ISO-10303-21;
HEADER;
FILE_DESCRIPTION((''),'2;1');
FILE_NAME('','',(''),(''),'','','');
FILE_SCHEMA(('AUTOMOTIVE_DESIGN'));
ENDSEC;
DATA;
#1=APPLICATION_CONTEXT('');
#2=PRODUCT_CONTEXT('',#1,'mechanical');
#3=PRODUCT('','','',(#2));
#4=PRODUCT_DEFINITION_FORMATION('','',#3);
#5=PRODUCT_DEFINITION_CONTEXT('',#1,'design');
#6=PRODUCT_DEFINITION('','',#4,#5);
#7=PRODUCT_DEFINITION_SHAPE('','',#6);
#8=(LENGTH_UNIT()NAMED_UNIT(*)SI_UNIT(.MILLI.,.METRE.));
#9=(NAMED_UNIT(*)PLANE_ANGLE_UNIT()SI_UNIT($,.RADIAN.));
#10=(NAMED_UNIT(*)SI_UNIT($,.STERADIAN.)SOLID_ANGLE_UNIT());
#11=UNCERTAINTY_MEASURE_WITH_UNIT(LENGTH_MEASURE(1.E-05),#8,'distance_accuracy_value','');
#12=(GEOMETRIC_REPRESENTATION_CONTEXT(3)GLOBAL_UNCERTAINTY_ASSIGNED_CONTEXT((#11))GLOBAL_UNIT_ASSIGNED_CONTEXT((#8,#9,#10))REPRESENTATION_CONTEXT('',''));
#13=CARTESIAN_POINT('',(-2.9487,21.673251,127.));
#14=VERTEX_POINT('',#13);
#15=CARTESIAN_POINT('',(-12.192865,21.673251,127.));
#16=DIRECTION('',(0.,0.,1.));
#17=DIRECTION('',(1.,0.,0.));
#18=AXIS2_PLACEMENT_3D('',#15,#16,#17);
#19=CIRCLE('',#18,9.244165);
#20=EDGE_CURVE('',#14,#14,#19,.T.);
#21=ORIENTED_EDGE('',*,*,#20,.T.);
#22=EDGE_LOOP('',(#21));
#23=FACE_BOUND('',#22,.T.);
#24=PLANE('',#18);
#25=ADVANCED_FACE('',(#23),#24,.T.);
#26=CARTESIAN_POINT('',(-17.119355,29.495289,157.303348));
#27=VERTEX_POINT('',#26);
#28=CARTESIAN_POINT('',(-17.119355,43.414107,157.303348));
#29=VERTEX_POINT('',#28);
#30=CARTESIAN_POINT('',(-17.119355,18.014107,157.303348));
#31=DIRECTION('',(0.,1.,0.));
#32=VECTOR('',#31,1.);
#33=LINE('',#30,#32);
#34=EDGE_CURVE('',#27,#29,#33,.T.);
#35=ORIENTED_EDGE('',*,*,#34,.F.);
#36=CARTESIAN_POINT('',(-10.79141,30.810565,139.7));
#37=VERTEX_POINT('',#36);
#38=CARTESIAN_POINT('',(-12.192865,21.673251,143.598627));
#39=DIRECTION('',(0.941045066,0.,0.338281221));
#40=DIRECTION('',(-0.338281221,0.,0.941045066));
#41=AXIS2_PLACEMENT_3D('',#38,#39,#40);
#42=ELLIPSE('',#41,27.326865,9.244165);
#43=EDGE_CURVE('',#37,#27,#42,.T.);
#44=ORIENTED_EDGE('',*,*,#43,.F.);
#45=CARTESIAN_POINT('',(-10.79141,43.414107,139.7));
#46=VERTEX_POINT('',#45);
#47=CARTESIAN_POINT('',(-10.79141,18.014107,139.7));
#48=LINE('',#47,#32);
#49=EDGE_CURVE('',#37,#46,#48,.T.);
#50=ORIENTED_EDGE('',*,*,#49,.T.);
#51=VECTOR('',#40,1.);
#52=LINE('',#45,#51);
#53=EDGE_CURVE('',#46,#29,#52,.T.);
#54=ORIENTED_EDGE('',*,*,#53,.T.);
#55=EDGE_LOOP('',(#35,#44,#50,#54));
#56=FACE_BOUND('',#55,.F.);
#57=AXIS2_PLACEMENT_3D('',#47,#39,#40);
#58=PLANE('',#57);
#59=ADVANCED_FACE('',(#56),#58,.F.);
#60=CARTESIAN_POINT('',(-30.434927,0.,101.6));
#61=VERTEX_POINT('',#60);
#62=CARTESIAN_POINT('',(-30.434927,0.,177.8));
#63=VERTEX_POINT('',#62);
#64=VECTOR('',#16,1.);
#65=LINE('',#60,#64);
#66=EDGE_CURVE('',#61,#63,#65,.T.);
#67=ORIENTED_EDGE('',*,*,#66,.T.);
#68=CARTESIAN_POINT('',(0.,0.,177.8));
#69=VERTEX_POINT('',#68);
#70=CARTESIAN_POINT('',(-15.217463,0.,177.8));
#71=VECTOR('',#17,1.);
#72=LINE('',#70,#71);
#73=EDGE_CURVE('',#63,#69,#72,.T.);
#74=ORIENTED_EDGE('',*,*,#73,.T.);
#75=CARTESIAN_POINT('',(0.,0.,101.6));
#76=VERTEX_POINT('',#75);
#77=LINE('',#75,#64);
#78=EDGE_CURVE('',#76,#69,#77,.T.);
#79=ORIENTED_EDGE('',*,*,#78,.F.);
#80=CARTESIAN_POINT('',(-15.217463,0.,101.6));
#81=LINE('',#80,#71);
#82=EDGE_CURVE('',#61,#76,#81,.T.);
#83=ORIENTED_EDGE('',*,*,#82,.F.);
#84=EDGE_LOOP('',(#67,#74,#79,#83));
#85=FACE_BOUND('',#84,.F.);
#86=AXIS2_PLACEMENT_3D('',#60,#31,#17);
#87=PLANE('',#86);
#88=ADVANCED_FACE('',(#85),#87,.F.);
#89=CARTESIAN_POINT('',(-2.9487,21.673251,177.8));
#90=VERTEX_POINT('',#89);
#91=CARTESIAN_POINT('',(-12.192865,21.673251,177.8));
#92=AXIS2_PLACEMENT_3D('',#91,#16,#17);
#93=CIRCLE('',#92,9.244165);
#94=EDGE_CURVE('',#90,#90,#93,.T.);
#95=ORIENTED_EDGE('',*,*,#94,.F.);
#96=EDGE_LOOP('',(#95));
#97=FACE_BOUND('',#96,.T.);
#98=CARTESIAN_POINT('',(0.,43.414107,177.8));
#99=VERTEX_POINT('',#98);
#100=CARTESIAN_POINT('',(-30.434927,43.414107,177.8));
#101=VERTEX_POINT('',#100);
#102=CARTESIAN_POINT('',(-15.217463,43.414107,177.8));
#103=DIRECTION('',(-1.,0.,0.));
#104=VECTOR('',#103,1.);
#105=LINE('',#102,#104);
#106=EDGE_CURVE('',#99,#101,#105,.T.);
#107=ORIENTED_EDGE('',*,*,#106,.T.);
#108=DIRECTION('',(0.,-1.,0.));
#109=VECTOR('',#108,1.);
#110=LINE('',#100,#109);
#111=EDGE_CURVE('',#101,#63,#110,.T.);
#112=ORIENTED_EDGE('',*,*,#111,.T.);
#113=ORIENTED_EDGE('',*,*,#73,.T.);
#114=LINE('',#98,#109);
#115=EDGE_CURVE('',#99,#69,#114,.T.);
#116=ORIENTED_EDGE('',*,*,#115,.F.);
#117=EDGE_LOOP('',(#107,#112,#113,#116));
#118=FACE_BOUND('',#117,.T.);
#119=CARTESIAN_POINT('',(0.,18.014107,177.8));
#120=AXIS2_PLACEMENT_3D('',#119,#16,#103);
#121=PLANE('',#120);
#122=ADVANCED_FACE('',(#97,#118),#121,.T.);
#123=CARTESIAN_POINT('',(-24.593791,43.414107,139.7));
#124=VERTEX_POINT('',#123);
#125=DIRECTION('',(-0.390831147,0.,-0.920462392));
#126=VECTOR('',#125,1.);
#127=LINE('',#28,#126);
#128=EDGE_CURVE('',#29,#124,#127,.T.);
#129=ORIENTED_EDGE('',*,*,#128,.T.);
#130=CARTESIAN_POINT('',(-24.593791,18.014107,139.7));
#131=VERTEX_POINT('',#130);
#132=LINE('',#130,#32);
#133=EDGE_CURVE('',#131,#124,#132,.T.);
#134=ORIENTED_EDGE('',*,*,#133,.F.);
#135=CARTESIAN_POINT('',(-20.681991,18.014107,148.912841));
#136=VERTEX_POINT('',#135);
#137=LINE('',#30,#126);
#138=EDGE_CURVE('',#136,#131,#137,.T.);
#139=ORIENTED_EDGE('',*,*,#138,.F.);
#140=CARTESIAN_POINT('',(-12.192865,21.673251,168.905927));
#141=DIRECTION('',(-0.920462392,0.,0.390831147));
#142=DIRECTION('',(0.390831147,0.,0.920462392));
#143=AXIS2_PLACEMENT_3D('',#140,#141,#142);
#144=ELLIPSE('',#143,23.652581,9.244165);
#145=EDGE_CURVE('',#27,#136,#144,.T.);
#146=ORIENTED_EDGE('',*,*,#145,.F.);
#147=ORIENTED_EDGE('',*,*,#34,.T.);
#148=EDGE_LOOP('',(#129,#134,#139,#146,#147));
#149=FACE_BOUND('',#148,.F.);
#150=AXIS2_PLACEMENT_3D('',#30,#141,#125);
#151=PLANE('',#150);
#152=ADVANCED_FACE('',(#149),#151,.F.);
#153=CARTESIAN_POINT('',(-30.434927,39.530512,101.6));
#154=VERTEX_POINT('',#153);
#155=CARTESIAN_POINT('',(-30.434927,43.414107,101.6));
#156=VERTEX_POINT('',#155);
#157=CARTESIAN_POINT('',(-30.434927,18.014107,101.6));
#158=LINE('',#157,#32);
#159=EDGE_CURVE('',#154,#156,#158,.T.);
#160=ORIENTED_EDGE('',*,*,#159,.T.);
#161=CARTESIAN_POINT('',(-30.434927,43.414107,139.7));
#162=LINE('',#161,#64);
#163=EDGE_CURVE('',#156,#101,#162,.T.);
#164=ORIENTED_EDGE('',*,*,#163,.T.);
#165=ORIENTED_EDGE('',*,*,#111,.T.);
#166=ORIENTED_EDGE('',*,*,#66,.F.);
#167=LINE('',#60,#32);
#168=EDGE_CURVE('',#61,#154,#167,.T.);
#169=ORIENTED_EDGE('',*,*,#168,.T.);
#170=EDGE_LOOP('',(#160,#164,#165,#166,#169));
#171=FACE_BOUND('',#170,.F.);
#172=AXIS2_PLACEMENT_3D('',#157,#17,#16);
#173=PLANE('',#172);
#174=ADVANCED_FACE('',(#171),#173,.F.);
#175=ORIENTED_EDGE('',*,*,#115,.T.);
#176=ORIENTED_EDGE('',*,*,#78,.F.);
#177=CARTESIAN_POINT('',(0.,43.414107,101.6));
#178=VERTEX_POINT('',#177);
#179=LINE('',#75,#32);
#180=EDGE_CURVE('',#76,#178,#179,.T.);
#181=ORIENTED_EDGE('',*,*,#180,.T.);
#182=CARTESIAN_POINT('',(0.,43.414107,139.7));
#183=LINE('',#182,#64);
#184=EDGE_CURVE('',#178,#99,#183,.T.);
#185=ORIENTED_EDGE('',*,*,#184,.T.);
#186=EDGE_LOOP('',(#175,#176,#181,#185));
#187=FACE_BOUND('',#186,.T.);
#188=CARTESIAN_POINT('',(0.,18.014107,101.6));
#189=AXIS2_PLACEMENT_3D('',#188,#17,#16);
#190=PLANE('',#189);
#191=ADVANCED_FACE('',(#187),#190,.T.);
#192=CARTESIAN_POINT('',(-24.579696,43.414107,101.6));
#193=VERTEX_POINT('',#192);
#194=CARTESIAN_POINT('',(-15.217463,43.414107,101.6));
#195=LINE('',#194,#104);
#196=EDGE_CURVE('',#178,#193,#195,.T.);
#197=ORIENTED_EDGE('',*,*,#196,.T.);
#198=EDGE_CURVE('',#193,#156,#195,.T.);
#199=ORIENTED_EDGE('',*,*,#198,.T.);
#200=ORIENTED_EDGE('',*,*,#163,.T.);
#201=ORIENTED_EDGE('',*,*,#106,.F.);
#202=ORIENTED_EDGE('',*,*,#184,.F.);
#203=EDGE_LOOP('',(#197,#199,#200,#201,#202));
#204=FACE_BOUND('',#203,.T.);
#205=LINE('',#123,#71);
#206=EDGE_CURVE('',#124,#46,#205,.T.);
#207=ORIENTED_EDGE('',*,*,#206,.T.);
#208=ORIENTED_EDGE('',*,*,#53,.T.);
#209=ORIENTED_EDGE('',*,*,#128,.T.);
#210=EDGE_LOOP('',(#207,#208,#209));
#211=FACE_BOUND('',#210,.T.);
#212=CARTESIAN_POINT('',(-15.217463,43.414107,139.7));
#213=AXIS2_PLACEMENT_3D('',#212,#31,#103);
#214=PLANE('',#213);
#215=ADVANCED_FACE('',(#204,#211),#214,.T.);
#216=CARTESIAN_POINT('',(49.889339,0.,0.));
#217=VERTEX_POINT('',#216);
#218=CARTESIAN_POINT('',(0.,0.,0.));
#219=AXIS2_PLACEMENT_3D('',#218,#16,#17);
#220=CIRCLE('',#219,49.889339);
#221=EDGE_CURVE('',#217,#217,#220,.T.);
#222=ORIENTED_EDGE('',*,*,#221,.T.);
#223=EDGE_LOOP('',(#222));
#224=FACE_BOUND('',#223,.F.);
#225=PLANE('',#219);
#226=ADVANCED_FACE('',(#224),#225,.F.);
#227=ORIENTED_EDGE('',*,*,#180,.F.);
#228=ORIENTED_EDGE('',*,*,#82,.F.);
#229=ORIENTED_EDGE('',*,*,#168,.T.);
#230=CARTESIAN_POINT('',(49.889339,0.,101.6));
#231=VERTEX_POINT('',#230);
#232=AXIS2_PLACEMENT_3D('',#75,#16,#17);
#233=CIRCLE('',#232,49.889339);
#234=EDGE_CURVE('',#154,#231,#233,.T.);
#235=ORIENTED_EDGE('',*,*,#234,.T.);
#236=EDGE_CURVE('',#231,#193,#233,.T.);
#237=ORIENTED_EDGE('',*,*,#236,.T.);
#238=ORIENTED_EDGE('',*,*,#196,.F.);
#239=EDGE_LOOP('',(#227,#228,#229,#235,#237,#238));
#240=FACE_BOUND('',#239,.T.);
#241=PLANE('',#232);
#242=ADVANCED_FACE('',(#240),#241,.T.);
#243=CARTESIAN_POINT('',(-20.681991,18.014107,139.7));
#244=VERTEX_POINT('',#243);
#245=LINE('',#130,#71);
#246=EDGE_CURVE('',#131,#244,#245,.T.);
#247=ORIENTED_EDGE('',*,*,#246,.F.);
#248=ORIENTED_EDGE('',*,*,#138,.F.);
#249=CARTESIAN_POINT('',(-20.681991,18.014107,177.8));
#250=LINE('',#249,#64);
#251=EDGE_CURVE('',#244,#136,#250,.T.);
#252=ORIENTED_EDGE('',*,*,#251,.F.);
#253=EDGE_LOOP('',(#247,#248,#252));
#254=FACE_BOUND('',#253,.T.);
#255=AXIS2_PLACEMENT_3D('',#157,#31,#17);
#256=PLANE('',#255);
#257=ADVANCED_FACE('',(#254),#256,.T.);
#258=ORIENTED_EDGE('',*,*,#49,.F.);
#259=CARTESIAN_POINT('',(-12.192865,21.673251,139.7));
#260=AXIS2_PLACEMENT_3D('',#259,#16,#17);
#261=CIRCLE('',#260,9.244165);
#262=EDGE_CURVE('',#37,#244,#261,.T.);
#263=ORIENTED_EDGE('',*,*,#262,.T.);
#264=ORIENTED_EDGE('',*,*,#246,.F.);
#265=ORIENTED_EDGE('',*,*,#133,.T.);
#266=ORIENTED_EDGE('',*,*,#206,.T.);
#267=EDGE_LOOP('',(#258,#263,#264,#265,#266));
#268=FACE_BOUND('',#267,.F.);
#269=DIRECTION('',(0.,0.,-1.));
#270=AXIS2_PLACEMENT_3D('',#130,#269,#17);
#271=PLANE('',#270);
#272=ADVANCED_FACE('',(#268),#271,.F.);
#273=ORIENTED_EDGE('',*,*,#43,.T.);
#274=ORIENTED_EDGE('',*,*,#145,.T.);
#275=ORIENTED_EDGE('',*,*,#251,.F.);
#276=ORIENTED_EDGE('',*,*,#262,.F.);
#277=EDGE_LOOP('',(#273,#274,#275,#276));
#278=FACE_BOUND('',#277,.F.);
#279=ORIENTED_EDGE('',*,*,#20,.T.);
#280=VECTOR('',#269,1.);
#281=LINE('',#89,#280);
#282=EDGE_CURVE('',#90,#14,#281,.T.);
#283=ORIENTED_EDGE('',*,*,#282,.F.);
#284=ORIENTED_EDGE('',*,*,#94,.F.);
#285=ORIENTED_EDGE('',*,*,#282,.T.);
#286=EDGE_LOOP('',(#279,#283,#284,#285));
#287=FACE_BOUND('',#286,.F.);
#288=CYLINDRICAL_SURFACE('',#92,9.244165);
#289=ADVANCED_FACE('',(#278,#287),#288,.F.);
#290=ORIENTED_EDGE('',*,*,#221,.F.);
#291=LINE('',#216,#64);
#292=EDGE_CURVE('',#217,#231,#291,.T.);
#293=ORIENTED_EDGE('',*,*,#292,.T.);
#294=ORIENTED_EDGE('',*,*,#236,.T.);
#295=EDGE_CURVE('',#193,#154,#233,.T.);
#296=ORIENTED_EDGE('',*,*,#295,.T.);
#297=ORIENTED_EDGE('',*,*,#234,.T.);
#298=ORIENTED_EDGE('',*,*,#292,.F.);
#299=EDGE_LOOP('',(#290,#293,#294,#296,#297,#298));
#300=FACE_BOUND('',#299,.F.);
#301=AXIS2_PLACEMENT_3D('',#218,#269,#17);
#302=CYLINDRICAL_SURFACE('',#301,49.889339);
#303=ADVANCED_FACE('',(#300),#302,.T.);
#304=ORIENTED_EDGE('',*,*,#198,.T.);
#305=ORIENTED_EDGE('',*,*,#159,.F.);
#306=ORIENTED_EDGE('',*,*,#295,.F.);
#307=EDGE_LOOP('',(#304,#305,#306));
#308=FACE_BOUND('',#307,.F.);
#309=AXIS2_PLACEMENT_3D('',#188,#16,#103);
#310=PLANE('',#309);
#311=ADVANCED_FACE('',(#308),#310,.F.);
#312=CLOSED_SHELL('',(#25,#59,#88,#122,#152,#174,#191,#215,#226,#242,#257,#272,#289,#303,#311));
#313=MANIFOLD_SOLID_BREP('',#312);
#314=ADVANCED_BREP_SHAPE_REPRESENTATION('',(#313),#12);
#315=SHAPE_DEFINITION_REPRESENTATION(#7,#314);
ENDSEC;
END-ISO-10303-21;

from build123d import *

# Parameters (mm, degrees)
F0_R     = 49.8893389147
F1_DEPTH = 101.6
F2_W     = 30.4349269718
F2_H     = 18.0141068995
F3_DEPTH = 76.2
F4_W     = 30.4349269718
F4_H     = 76.2
F5_DEPTH = 25.4
F6_R     = 9.2441651786
F7_DEPTH = 50.8


with BuildPart() as f1:
    # F0 (on Top) → F1 (new body)
    with BuildSketch(Plane.XY):
        Circle(F0_R)
    extrude(amount=F1_DEPTH)

    # F2 (on face) → F3 (join)
    with BuildSketch(Plane.XY.offset(101.6)):
        with Locations((-15.2174634859, 9.0070534497)):
            Rectangle(F2_W, F2_H)
    extrude(amount=F3_DEPTH)

    # F4 (on face) → F5 (join)
    with BuildSketch(Plane(origin=(0, 18.0141068995, 0), x_dir=(-1, 0, 0), z_dir=(0, 1, 0))):
        with Locations((15.2174634859, 139.7)):
            Rectangle(F4_W, F4_H)
        Polygon((10.7914097607, 139.7), (17.1193554997, 157.3033481836), (24.5937909931, 139.7), align=None, mode=Mode.SUBTRACT)
    extrude(amount=F5_DEPTH)

    # F6 (on face) → F7 (cut)
    with BuildSketch(Plane.XY.offset(177.8)):
        with Locations((-12.1928649023, 21.6732509434)):
            Circle(F6_R)
    extrude(amount=-F7_DEPTH, mode=Mode.SUBTRACT)


solid = f1.part
